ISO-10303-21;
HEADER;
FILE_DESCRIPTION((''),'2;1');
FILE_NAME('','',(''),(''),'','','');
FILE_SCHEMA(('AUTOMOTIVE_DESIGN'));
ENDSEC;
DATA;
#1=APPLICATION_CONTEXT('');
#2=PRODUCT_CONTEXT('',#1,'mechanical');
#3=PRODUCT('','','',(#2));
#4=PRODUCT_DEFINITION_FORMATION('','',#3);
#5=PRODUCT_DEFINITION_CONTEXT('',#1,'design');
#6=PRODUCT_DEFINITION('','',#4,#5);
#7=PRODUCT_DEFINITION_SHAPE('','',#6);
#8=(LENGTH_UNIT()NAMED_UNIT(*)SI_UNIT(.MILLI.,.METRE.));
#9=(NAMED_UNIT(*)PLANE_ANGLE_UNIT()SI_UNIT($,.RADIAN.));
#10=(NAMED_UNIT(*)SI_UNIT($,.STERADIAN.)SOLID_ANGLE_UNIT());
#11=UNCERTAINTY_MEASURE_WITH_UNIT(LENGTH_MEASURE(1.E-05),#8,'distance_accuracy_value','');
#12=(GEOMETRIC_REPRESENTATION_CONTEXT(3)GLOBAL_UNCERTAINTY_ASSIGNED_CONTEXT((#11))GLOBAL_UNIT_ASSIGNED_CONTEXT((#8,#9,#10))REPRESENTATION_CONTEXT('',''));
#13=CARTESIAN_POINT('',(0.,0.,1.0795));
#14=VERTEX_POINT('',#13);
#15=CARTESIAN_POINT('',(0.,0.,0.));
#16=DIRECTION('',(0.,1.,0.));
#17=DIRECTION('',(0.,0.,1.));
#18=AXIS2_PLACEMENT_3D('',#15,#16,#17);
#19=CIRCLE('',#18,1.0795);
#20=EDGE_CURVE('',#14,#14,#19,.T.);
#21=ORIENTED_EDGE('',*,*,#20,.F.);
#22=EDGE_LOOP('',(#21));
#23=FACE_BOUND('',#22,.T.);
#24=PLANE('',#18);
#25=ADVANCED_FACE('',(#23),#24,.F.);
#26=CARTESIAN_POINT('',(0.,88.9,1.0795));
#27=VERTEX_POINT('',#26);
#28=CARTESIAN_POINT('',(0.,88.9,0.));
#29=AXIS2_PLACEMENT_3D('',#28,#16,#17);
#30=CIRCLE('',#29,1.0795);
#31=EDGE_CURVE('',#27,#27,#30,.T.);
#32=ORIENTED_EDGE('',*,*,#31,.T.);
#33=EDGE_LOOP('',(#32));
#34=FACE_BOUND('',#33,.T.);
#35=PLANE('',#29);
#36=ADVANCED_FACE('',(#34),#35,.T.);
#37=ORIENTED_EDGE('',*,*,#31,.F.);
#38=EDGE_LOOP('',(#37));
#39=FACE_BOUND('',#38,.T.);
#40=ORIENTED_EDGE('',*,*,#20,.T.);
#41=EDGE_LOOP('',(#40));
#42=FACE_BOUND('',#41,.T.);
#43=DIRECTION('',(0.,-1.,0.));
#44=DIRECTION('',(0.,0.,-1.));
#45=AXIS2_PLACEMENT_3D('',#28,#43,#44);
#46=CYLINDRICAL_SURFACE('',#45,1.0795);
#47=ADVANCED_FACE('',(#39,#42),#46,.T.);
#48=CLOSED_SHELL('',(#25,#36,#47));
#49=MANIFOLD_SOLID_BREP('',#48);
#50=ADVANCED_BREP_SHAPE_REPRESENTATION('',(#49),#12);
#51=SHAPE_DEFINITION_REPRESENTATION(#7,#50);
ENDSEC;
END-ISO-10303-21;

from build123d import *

# Parameters (mm, degrees)
SKETCH2_R           = 1.0795
BOSS_EXTRUDE1_DEPTH = 88.9


with BuildPart() as part:
    # Sketch2 → Boss-Extrude1 (new body)
    with BuildSketch(Plane(origin=(0, 0, 0), x_dir=(1, 0, 0), z_dir=(0, 1, 0))):
        with Locations(Location((0, 0, 0), (0, 0, 270))):
            Circle(SKETCH2_R)
    extrude(amount=BOSS_EXTRUDE1_DEPTH)


solid = part.part
